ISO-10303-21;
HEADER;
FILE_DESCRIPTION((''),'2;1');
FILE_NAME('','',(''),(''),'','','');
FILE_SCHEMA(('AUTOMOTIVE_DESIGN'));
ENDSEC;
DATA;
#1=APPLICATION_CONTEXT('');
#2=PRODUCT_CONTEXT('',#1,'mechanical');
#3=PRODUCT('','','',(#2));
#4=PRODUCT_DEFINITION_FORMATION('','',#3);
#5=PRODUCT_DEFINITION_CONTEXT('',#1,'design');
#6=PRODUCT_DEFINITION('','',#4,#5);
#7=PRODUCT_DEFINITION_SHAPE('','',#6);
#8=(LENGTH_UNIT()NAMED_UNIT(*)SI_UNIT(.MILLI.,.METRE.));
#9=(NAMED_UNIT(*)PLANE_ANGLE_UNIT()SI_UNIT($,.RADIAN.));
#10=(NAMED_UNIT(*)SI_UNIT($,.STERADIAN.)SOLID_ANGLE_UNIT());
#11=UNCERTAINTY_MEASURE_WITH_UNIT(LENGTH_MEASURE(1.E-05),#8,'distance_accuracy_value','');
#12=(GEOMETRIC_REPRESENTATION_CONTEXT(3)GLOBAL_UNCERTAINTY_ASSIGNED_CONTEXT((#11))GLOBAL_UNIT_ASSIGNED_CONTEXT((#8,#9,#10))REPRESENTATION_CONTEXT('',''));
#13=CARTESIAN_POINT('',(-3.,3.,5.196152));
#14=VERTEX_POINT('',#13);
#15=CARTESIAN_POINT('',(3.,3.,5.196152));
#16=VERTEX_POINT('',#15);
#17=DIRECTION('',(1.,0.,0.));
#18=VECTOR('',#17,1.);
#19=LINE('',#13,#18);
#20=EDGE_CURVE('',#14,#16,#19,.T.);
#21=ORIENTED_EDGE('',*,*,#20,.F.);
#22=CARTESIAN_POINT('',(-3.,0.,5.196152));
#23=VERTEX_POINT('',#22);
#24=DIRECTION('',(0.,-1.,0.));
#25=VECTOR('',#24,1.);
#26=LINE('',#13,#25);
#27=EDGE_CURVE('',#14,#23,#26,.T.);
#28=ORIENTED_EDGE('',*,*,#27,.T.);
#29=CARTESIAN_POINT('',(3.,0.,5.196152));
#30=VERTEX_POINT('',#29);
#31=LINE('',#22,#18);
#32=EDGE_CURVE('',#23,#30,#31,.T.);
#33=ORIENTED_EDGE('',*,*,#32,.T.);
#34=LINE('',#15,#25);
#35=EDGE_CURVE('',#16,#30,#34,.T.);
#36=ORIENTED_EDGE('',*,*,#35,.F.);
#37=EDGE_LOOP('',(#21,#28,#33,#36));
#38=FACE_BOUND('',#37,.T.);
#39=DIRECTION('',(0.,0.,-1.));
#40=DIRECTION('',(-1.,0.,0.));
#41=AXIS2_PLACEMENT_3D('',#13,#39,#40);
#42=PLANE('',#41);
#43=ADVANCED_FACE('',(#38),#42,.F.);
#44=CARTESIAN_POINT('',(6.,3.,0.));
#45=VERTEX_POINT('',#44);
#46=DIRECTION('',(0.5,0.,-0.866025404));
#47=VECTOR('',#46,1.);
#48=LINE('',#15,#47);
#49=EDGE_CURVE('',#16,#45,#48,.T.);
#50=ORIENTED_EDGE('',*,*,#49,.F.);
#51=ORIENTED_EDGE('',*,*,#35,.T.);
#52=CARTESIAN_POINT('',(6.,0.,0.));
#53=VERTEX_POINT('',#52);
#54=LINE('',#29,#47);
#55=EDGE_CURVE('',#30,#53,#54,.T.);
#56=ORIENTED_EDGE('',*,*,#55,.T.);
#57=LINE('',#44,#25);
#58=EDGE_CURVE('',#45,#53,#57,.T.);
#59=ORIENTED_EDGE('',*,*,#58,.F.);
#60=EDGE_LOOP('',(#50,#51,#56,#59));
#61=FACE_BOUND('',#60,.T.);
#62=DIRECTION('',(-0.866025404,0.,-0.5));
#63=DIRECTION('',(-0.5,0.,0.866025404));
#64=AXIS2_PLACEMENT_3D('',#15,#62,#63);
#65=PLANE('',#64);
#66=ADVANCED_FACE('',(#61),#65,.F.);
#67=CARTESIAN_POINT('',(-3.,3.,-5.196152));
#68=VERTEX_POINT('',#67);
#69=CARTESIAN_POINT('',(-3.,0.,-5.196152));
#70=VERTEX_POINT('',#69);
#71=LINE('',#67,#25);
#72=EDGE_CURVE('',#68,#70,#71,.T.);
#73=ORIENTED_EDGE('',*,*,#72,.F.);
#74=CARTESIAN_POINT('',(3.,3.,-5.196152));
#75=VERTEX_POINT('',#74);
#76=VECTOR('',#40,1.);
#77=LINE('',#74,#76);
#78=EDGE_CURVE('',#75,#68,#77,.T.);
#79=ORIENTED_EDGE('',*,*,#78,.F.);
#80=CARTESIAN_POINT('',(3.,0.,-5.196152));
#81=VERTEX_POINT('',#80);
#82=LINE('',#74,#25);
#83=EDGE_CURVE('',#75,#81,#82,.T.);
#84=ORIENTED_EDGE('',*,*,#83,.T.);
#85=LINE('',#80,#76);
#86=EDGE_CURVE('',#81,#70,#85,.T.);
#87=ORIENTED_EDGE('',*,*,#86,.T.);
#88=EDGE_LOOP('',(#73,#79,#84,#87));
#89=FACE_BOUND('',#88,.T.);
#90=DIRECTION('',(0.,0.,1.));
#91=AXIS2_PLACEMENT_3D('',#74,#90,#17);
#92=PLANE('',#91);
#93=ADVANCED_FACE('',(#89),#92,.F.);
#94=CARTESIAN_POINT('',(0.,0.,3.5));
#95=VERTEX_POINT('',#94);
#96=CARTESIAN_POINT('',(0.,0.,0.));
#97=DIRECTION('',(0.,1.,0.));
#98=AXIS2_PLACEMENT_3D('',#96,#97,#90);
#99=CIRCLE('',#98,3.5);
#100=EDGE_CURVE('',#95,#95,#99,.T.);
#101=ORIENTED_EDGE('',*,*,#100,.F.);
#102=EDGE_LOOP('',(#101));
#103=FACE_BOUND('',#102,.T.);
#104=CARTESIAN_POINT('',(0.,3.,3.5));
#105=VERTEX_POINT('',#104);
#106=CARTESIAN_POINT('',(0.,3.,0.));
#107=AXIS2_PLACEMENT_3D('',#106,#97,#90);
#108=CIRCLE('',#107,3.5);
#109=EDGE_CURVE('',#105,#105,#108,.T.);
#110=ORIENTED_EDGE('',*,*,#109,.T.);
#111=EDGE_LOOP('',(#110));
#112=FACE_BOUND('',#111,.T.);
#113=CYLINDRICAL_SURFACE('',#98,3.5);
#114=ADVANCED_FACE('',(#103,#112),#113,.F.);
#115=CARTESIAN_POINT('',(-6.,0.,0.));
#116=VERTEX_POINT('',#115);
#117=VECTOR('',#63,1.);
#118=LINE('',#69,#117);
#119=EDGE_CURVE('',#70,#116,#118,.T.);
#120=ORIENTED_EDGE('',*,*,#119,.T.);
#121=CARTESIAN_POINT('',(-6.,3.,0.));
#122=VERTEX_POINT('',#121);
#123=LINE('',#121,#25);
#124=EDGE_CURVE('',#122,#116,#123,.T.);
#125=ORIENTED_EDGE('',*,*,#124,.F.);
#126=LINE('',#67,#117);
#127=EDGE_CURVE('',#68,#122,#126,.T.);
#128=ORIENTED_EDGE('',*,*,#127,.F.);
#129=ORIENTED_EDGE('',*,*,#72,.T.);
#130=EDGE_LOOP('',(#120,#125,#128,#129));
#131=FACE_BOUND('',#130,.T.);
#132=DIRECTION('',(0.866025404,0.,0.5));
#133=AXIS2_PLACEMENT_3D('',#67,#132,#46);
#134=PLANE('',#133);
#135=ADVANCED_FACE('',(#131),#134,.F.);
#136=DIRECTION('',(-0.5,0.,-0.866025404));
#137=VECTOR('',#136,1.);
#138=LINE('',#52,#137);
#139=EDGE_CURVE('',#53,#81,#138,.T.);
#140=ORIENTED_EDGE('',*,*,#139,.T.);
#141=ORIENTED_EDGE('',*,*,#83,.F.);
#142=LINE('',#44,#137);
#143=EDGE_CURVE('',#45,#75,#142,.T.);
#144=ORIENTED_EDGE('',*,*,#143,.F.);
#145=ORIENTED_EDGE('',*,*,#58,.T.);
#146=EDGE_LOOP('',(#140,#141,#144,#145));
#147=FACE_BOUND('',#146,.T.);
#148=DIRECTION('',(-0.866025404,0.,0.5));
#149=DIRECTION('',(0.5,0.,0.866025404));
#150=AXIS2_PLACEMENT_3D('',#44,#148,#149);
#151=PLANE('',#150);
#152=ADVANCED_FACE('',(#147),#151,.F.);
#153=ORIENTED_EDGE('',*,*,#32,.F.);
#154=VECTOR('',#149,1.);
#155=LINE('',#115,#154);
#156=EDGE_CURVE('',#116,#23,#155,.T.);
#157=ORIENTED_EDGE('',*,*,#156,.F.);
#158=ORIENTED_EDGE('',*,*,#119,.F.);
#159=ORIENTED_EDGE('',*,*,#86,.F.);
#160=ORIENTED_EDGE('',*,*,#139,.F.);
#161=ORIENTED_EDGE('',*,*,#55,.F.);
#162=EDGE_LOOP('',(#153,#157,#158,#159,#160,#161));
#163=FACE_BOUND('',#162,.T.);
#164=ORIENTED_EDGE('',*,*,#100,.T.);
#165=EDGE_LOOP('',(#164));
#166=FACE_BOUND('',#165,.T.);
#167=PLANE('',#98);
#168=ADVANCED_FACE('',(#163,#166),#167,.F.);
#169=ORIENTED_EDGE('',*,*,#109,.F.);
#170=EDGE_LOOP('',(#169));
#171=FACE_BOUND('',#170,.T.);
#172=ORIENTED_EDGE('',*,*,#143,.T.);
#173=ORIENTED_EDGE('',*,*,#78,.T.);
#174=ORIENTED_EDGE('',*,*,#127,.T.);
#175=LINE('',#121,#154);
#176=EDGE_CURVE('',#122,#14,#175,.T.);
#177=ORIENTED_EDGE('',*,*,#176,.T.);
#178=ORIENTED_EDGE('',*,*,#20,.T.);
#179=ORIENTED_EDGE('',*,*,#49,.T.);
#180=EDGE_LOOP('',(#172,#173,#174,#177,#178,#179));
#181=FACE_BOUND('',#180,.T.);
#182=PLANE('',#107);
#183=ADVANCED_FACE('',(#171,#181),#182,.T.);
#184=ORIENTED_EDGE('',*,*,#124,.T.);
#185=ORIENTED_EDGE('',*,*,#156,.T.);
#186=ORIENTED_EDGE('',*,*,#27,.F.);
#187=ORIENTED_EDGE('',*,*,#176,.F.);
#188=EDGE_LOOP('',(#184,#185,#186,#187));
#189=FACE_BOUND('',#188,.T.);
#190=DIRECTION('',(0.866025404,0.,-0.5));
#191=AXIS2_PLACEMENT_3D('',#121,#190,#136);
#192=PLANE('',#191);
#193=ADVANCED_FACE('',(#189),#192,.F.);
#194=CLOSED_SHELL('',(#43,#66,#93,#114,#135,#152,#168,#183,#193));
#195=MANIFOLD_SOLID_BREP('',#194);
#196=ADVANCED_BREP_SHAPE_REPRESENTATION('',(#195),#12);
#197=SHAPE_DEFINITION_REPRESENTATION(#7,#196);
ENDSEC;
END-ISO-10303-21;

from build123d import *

# Parameters (mm, degrees)
BOSS_EXTRUDE1_DEPTH = 3
SKETCH2_R           = 3.5
CUT_EXTRUDE1_DEPTH  = 4


with BuildPart() as part:
    # Sketch1 → Boss-Extrude1 (new body)
    with BuildSketch(Plane(origin=(0, 0, 0), x_dir=(1, 0, 0), z_dir=(0, 1, 0))):
        Polygon((6, 0), (3, 5.196152423), (-3, 5.196152423), (-6, 0), (-3, -5.196152423), (3, -5.196152423), align=None)
    extrude(amount=BOSS_EXTRUDE1_DEPTH)

    # Sketch2 → Cut-Extrude1 (cut, through all)
    with BuildSketch(Plane(origin=(0, 3, 0), x_dir=(1, 0, 0), z_dir=(0, 1, 0))):
        Circle(SKETCH2_R)
    extrude(amount=-CUT_EXTRUDE1_DEPTH, mode=Mode.SUBTRACT)


solid = part.part
